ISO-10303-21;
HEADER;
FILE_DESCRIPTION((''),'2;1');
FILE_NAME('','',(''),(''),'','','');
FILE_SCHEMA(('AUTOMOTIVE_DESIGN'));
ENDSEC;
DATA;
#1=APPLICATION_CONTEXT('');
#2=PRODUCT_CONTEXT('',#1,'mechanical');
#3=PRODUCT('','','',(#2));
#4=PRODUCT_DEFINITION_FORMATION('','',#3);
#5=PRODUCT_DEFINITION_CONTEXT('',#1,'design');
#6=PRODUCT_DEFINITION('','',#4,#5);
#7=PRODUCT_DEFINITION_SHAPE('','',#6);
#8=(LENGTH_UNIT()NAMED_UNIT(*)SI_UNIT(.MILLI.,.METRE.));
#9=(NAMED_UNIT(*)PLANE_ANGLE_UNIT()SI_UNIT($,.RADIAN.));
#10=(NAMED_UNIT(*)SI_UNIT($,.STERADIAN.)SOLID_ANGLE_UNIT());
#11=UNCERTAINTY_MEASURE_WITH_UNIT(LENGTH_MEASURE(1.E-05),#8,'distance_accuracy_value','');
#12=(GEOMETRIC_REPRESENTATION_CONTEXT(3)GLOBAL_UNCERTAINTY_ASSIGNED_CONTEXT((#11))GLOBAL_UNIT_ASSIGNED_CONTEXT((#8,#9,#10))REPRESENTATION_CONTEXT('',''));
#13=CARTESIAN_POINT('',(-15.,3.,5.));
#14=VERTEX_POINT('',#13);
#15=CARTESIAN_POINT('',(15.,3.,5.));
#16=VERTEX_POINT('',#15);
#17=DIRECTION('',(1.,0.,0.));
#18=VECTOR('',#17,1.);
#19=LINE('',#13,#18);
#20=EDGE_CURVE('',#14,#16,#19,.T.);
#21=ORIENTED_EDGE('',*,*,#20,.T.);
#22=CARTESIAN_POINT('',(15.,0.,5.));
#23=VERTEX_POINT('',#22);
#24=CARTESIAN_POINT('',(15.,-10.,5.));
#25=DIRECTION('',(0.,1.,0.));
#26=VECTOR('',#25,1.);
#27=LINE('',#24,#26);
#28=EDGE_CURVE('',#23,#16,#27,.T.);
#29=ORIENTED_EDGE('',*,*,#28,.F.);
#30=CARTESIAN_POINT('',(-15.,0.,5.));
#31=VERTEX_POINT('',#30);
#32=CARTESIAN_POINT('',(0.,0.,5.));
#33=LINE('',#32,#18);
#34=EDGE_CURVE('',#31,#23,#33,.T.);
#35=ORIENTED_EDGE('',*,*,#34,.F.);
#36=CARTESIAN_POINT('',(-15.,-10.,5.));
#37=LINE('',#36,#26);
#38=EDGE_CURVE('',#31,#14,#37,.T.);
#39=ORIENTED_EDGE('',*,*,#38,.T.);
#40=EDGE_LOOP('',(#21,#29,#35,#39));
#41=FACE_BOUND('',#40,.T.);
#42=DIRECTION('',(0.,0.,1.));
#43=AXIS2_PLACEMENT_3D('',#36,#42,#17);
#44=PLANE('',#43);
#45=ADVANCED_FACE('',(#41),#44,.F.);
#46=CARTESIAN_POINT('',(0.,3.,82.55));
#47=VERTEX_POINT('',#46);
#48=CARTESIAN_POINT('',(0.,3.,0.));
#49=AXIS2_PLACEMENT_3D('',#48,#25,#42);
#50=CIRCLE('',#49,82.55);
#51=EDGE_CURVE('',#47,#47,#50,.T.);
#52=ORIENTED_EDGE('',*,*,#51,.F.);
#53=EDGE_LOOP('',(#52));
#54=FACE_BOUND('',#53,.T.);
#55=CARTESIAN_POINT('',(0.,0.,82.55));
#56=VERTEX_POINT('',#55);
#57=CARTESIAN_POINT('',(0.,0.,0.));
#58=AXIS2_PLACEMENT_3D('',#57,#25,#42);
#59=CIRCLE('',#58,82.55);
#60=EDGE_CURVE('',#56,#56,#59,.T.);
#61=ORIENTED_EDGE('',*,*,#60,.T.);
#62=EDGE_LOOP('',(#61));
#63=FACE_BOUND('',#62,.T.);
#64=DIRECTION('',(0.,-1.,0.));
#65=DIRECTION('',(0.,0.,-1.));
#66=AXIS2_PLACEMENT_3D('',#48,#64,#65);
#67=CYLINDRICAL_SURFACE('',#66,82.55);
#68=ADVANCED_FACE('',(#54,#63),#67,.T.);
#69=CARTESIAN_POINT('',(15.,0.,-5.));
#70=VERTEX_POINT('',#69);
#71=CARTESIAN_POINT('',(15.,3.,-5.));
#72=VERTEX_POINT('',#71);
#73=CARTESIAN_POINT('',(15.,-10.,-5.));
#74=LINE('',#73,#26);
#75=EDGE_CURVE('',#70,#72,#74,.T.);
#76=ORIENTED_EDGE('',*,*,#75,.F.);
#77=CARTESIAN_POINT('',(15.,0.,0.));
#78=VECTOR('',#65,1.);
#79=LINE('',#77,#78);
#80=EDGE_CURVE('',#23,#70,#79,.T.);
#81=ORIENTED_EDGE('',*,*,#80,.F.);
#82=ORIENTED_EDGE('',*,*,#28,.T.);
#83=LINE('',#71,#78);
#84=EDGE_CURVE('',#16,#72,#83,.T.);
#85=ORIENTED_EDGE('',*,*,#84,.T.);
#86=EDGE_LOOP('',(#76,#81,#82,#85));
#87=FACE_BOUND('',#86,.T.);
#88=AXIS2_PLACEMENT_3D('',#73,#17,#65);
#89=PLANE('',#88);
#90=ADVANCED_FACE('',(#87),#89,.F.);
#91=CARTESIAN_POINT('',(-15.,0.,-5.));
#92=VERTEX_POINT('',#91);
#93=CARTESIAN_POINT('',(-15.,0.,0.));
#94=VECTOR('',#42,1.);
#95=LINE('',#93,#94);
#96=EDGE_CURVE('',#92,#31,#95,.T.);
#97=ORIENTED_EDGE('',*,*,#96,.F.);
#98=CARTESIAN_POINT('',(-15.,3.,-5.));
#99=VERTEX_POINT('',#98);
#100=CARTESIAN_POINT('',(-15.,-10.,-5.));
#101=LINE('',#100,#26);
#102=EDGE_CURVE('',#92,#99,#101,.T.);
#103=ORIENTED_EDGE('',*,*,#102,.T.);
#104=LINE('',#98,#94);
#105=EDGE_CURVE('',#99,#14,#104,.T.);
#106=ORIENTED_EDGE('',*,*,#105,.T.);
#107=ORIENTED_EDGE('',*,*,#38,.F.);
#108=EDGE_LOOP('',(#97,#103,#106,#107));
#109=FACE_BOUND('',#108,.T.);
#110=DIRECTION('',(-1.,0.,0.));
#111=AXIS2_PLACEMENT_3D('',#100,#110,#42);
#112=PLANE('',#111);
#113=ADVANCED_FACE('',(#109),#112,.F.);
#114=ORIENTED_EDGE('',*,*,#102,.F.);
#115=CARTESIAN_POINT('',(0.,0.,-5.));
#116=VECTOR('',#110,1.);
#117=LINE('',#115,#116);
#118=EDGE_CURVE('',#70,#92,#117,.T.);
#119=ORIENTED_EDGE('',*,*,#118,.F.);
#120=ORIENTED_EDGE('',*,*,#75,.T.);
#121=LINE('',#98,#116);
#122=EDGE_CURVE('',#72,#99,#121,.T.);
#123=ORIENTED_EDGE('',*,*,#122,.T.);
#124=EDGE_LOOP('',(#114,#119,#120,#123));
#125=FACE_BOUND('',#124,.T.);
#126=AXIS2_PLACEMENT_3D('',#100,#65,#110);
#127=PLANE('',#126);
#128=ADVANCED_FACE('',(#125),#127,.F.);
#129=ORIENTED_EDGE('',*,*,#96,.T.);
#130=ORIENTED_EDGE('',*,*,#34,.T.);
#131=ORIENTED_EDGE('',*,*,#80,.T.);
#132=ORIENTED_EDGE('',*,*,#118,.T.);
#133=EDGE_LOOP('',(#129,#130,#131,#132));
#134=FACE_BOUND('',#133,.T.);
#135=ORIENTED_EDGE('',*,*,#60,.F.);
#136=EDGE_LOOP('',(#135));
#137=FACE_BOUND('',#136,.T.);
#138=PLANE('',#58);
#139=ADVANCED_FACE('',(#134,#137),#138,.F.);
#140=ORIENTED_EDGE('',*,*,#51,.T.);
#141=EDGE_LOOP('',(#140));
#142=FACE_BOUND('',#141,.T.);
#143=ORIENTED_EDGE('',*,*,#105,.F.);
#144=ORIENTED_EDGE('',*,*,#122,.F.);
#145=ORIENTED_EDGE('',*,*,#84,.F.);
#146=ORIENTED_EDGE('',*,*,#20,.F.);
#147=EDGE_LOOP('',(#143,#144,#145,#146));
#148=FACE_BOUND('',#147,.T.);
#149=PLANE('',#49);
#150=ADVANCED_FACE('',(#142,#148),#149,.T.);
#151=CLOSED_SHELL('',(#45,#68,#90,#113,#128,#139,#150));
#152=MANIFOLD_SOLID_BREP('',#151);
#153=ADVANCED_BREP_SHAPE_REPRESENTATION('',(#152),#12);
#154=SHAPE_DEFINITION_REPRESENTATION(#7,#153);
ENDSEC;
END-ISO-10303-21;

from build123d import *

# Parameters (mm, degrees)
SKETCH1_R           = 82.55
BOSS_EXTRUDE1_DEPTH = 3
SKETCH2_W           = 30
SKETCH2_H           = 10
CUT_EXTRUDE1_DEPTH  = 13


with BuildPart() as part:
    # Sketch1 → Boss-Extrude1 (new body)
    with BuildSketch(Plane(origin=(0, 0, 0), x_dir=(1, 0, 0), z_dir=(0, 1, 0))):
        with Locations(Location((0, 0, 0), (0, 0, 270))):
            Circle(SKETCH1_R)
    extrude(amount=BOSS_EXTRUDE1_DEPTH)

    # Sketch2 → Cut-Extrude1 (cut)
    with BuildSketch(Plane(origin=(0, 3, 0), x_dir=(1, 0, 0), z_dir=(0, 1, 0))):
        Rectangle(SKETCH2_W, SKETCH2_H)
    extrude(amount=-CUT_EXTRUDE1_DEPTH, mode=Mode.SUBTRACT)


solid = part.part
